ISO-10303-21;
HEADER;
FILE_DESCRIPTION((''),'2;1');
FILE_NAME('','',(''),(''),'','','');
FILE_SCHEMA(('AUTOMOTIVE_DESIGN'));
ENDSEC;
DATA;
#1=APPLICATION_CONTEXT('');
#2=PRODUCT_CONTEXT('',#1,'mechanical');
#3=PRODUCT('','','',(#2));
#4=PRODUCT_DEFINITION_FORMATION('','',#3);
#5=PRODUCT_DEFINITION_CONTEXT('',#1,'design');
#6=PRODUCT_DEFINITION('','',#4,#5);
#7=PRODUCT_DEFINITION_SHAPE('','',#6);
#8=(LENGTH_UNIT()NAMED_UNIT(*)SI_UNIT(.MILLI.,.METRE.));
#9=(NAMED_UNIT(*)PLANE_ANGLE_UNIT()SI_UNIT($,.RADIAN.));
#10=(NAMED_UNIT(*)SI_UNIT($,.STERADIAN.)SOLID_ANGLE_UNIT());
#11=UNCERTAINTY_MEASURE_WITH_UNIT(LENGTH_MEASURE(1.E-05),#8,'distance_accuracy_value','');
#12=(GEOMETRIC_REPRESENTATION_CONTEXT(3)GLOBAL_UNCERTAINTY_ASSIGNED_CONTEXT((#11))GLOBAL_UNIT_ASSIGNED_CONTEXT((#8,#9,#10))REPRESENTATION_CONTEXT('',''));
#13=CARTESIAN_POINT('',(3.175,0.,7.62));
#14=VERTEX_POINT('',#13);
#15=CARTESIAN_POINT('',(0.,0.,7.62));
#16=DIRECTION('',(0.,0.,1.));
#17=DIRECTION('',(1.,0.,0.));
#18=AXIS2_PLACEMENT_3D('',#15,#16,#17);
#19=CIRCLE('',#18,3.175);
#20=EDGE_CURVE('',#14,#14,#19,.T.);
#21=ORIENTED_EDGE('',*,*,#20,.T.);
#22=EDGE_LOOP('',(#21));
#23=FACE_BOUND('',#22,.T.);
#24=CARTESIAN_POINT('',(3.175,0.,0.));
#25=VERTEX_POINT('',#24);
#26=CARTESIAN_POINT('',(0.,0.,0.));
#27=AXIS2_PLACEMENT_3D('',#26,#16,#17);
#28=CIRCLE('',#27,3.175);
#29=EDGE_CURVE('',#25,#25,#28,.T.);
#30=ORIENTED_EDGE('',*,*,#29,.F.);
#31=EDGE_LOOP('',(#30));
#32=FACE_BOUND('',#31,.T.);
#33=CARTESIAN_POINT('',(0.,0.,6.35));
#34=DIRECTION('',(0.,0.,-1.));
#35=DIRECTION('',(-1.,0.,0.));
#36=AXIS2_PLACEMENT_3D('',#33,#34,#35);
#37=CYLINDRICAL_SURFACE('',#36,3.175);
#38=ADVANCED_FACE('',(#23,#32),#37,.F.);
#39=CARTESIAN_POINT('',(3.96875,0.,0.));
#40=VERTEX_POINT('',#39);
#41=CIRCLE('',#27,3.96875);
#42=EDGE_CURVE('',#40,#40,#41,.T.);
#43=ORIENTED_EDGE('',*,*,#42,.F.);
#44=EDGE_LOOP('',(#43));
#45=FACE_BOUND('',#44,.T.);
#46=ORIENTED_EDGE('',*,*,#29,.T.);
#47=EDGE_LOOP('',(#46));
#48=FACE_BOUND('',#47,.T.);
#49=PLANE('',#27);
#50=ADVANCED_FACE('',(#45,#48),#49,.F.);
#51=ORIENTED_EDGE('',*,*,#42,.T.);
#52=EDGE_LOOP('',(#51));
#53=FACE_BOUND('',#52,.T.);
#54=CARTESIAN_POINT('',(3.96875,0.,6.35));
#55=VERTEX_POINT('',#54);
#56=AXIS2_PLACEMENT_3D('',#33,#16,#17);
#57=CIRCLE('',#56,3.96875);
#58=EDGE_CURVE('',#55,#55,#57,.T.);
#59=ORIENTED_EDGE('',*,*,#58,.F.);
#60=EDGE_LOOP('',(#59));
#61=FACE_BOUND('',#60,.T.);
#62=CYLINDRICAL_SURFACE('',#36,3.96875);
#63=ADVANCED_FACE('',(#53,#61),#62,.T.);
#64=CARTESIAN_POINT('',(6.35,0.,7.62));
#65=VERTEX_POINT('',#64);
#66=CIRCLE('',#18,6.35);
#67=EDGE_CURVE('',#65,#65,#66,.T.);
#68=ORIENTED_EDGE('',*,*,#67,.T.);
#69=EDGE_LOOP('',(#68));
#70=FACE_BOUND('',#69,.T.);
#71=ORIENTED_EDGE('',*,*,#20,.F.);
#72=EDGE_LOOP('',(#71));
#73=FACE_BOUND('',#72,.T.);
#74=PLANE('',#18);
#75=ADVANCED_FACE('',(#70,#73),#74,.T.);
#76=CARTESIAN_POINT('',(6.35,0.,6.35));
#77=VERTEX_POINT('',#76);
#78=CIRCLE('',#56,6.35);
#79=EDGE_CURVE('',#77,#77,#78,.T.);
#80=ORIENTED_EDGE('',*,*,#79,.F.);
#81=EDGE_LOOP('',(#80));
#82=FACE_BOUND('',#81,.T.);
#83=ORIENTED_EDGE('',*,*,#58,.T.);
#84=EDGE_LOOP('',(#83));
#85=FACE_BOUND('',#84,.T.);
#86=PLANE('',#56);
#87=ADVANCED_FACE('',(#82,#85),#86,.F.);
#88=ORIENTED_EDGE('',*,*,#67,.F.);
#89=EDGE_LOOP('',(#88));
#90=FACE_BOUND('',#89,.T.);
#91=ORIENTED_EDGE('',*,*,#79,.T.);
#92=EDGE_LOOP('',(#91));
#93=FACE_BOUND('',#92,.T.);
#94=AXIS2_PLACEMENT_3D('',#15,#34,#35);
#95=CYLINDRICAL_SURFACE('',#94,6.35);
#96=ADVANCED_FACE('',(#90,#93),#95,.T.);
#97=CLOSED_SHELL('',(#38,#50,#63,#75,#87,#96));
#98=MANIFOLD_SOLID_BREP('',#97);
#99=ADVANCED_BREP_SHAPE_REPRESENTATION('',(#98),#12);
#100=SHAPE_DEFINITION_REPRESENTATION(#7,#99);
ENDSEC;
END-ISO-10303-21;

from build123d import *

# Parameters (mm, degrees)
SKETCH1_R           = 3.96875
SKETCH1_R_2         = 3.175
BOSS_EXTRUDE1_DEPTH = 6.35
SKETCH2_R           = 6.35
SKETCH2_R_2         = 3.175
BOSS_EXTRUDE2_DEPTH = 1.27


with BuildPart() as part:
    # Sketch1 → Boss-Extrude1 (new body)
    with BuildSketch(Plane.XY):
        Circle(SKETCH1_R)
        Circle(SKETCH1_R_2, mode=Mode.SUBTRACT)
    extrude(amount=BOSS_EXTRUDE1_DEPTH)

    # Sketch2 → Boss-Extrude2 (add)
    with BuildSketch(Plane.XY.offset(6.35)):
        Circle(SKETCH2_R)
        Circle(SKETCH2_R_2, mode=Mode.SUBTRACT)
    extrude(amount=BOSS_EXTRUDE2_DEPTH)


solid = part.part
